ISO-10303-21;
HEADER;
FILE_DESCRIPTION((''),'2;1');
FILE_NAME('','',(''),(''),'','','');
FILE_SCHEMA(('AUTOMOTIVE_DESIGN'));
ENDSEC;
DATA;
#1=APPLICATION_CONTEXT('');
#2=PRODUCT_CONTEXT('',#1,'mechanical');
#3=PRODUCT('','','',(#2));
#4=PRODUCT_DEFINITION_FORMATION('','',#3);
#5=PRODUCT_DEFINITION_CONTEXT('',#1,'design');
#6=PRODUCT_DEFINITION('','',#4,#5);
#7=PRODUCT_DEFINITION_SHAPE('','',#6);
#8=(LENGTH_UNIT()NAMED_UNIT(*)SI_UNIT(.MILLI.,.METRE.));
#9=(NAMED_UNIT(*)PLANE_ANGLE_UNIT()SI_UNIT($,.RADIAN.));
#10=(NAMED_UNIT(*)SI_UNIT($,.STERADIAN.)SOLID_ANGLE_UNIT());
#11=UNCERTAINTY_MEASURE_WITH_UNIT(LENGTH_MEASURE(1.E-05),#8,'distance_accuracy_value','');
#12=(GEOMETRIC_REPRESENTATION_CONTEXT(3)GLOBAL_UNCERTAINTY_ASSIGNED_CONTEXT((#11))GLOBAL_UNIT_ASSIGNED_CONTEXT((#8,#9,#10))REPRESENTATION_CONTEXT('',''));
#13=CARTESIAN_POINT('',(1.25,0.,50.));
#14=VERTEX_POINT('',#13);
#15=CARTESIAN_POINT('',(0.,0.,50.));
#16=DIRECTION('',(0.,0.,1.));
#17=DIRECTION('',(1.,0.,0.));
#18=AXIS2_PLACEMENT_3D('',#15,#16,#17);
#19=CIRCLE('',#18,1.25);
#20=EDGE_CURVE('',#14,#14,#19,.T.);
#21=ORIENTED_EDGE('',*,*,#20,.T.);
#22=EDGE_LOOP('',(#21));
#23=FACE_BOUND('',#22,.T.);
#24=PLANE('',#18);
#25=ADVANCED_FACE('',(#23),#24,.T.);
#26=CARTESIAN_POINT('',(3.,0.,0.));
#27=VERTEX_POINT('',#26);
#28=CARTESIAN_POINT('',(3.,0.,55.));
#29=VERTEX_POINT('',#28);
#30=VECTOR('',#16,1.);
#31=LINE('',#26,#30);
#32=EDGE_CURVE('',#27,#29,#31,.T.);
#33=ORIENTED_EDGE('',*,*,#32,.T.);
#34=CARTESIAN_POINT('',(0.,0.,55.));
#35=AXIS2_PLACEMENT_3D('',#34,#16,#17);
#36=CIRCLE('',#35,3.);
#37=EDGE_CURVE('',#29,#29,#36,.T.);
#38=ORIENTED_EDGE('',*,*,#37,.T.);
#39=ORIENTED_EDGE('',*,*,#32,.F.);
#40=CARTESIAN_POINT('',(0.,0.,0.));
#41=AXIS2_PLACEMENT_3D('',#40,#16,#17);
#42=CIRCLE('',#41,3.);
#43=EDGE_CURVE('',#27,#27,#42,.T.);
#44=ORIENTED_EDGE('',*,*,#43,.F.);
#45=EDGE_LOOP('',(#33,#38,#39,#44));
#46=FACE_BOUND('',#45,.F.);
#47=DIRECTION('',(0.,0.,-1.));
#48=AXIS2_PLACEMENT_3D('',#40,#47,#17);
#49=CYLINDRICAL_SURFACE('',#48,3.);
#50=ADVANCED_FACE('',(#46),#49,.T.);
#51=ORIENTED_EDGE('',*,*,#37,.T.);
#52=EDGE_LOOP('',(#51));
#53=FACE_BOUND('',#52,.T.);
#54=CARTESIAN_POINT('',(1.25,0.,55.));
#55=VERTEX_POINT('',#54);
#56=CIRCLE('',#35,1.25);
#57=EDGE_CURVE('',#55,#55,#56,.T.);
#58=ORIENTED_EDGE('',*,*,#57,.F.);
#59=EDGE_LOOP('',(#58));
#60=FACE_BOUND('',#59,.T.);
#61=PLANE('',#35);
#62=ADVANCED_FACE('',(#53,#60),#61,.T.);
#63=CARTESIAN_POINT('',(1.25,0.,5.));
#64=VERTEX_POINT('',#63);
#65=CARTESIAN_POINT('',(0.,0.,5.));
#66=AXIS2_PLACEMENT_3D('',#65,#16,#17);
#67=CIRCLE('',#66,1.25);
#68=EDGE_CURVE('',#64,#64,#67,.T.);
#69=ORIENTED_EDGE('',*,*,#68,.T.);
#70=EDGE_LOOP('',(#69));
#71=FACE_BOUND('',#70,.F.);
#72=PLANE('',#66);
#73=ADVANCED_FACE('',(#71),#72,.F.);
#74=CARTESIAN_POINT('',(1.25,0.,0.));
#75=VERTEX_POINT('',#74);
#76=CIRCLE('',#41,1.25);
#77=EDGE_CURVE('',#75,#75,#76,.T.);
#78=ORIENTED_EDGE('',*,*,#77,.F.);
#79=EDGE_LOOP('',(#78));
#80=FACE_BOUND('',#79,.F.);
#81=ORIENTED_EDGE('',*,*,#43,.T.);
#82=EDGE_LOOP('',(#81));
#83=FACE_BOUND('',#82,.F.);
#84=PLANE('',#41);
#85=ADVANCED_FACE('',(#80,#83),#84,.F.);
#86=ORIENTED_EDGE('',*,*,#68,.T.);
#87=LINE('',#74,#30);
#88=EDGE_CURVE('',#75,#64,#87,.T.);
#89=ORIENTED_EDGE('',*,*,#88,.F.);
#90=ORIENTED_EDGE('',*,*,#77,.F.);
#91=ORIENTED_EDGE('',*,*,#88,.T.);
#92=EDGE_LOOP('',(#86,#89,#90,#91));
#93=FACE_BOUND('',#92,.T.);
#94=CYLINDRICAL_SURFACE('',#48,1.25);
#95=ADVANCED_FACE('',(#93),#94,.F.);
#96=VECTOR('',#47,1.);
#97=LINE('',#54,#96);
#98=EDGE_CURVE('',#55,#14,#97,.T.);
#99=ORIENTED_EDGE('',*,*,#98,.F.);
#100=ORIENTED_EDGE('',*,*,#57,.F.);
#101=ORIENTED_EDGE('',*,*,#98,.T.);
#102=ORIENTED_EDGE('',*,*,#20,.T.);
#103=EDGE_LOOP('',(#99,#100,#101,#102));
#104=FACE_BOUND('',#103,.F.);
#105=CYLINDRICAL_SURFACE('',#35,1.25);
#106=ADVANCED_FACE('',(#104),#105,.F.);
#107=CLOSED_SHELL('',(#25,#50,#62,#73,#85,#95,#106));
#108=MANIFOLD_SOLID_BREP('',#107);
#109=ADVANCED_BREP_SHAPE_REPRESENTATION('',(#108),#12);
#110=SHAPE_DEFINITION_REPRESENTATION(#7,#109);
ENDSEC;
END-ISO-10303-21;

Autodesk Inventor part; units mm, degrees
ref_plane "YZ Plane" through (0, 0, 0) normal (1, 0, 0) x (0, 1, 0)
ref_plane "XZ Plane" through (0, 0, 0) normal (0, 1, 0) x (-1, 0, 0)
ref_plane "XY Plane" through (0, 0, 0) normal (0, 0, 1) x (1, 0, 0)
sketch "スケッチ1" plane through (0, 0, 0) normal (0, 0, 1) x (1, 0, 0)
  circle A0 centre (0, 0) radius 3
  circle A1 centre (0, 0) radius 1.25
  dimension "d0" = 6
  dimension "d1" = 2.5
extrude "押し出し1" add sketch "スケッチ1" along normal blind 55 contours A0 | A1
sketch "スケッチ2" plane through (0, 0, 55) normal (0, 0, 1) x (1, 0, 0)
  circle A0 centre (0, 0) radius 3 projected
  circle A1 centre (0, 0) radius 1.25
  dimension "d4" = 2.5
extrude "押し出し2" cut sketch "スケッチ2" against normal blind 5 contours A1
extrude "押し出し3" cut sketch "スケッチ1" along normal blind 5 contours A1
properties part number "50mm" material "アルミニウム 2014-T4"
